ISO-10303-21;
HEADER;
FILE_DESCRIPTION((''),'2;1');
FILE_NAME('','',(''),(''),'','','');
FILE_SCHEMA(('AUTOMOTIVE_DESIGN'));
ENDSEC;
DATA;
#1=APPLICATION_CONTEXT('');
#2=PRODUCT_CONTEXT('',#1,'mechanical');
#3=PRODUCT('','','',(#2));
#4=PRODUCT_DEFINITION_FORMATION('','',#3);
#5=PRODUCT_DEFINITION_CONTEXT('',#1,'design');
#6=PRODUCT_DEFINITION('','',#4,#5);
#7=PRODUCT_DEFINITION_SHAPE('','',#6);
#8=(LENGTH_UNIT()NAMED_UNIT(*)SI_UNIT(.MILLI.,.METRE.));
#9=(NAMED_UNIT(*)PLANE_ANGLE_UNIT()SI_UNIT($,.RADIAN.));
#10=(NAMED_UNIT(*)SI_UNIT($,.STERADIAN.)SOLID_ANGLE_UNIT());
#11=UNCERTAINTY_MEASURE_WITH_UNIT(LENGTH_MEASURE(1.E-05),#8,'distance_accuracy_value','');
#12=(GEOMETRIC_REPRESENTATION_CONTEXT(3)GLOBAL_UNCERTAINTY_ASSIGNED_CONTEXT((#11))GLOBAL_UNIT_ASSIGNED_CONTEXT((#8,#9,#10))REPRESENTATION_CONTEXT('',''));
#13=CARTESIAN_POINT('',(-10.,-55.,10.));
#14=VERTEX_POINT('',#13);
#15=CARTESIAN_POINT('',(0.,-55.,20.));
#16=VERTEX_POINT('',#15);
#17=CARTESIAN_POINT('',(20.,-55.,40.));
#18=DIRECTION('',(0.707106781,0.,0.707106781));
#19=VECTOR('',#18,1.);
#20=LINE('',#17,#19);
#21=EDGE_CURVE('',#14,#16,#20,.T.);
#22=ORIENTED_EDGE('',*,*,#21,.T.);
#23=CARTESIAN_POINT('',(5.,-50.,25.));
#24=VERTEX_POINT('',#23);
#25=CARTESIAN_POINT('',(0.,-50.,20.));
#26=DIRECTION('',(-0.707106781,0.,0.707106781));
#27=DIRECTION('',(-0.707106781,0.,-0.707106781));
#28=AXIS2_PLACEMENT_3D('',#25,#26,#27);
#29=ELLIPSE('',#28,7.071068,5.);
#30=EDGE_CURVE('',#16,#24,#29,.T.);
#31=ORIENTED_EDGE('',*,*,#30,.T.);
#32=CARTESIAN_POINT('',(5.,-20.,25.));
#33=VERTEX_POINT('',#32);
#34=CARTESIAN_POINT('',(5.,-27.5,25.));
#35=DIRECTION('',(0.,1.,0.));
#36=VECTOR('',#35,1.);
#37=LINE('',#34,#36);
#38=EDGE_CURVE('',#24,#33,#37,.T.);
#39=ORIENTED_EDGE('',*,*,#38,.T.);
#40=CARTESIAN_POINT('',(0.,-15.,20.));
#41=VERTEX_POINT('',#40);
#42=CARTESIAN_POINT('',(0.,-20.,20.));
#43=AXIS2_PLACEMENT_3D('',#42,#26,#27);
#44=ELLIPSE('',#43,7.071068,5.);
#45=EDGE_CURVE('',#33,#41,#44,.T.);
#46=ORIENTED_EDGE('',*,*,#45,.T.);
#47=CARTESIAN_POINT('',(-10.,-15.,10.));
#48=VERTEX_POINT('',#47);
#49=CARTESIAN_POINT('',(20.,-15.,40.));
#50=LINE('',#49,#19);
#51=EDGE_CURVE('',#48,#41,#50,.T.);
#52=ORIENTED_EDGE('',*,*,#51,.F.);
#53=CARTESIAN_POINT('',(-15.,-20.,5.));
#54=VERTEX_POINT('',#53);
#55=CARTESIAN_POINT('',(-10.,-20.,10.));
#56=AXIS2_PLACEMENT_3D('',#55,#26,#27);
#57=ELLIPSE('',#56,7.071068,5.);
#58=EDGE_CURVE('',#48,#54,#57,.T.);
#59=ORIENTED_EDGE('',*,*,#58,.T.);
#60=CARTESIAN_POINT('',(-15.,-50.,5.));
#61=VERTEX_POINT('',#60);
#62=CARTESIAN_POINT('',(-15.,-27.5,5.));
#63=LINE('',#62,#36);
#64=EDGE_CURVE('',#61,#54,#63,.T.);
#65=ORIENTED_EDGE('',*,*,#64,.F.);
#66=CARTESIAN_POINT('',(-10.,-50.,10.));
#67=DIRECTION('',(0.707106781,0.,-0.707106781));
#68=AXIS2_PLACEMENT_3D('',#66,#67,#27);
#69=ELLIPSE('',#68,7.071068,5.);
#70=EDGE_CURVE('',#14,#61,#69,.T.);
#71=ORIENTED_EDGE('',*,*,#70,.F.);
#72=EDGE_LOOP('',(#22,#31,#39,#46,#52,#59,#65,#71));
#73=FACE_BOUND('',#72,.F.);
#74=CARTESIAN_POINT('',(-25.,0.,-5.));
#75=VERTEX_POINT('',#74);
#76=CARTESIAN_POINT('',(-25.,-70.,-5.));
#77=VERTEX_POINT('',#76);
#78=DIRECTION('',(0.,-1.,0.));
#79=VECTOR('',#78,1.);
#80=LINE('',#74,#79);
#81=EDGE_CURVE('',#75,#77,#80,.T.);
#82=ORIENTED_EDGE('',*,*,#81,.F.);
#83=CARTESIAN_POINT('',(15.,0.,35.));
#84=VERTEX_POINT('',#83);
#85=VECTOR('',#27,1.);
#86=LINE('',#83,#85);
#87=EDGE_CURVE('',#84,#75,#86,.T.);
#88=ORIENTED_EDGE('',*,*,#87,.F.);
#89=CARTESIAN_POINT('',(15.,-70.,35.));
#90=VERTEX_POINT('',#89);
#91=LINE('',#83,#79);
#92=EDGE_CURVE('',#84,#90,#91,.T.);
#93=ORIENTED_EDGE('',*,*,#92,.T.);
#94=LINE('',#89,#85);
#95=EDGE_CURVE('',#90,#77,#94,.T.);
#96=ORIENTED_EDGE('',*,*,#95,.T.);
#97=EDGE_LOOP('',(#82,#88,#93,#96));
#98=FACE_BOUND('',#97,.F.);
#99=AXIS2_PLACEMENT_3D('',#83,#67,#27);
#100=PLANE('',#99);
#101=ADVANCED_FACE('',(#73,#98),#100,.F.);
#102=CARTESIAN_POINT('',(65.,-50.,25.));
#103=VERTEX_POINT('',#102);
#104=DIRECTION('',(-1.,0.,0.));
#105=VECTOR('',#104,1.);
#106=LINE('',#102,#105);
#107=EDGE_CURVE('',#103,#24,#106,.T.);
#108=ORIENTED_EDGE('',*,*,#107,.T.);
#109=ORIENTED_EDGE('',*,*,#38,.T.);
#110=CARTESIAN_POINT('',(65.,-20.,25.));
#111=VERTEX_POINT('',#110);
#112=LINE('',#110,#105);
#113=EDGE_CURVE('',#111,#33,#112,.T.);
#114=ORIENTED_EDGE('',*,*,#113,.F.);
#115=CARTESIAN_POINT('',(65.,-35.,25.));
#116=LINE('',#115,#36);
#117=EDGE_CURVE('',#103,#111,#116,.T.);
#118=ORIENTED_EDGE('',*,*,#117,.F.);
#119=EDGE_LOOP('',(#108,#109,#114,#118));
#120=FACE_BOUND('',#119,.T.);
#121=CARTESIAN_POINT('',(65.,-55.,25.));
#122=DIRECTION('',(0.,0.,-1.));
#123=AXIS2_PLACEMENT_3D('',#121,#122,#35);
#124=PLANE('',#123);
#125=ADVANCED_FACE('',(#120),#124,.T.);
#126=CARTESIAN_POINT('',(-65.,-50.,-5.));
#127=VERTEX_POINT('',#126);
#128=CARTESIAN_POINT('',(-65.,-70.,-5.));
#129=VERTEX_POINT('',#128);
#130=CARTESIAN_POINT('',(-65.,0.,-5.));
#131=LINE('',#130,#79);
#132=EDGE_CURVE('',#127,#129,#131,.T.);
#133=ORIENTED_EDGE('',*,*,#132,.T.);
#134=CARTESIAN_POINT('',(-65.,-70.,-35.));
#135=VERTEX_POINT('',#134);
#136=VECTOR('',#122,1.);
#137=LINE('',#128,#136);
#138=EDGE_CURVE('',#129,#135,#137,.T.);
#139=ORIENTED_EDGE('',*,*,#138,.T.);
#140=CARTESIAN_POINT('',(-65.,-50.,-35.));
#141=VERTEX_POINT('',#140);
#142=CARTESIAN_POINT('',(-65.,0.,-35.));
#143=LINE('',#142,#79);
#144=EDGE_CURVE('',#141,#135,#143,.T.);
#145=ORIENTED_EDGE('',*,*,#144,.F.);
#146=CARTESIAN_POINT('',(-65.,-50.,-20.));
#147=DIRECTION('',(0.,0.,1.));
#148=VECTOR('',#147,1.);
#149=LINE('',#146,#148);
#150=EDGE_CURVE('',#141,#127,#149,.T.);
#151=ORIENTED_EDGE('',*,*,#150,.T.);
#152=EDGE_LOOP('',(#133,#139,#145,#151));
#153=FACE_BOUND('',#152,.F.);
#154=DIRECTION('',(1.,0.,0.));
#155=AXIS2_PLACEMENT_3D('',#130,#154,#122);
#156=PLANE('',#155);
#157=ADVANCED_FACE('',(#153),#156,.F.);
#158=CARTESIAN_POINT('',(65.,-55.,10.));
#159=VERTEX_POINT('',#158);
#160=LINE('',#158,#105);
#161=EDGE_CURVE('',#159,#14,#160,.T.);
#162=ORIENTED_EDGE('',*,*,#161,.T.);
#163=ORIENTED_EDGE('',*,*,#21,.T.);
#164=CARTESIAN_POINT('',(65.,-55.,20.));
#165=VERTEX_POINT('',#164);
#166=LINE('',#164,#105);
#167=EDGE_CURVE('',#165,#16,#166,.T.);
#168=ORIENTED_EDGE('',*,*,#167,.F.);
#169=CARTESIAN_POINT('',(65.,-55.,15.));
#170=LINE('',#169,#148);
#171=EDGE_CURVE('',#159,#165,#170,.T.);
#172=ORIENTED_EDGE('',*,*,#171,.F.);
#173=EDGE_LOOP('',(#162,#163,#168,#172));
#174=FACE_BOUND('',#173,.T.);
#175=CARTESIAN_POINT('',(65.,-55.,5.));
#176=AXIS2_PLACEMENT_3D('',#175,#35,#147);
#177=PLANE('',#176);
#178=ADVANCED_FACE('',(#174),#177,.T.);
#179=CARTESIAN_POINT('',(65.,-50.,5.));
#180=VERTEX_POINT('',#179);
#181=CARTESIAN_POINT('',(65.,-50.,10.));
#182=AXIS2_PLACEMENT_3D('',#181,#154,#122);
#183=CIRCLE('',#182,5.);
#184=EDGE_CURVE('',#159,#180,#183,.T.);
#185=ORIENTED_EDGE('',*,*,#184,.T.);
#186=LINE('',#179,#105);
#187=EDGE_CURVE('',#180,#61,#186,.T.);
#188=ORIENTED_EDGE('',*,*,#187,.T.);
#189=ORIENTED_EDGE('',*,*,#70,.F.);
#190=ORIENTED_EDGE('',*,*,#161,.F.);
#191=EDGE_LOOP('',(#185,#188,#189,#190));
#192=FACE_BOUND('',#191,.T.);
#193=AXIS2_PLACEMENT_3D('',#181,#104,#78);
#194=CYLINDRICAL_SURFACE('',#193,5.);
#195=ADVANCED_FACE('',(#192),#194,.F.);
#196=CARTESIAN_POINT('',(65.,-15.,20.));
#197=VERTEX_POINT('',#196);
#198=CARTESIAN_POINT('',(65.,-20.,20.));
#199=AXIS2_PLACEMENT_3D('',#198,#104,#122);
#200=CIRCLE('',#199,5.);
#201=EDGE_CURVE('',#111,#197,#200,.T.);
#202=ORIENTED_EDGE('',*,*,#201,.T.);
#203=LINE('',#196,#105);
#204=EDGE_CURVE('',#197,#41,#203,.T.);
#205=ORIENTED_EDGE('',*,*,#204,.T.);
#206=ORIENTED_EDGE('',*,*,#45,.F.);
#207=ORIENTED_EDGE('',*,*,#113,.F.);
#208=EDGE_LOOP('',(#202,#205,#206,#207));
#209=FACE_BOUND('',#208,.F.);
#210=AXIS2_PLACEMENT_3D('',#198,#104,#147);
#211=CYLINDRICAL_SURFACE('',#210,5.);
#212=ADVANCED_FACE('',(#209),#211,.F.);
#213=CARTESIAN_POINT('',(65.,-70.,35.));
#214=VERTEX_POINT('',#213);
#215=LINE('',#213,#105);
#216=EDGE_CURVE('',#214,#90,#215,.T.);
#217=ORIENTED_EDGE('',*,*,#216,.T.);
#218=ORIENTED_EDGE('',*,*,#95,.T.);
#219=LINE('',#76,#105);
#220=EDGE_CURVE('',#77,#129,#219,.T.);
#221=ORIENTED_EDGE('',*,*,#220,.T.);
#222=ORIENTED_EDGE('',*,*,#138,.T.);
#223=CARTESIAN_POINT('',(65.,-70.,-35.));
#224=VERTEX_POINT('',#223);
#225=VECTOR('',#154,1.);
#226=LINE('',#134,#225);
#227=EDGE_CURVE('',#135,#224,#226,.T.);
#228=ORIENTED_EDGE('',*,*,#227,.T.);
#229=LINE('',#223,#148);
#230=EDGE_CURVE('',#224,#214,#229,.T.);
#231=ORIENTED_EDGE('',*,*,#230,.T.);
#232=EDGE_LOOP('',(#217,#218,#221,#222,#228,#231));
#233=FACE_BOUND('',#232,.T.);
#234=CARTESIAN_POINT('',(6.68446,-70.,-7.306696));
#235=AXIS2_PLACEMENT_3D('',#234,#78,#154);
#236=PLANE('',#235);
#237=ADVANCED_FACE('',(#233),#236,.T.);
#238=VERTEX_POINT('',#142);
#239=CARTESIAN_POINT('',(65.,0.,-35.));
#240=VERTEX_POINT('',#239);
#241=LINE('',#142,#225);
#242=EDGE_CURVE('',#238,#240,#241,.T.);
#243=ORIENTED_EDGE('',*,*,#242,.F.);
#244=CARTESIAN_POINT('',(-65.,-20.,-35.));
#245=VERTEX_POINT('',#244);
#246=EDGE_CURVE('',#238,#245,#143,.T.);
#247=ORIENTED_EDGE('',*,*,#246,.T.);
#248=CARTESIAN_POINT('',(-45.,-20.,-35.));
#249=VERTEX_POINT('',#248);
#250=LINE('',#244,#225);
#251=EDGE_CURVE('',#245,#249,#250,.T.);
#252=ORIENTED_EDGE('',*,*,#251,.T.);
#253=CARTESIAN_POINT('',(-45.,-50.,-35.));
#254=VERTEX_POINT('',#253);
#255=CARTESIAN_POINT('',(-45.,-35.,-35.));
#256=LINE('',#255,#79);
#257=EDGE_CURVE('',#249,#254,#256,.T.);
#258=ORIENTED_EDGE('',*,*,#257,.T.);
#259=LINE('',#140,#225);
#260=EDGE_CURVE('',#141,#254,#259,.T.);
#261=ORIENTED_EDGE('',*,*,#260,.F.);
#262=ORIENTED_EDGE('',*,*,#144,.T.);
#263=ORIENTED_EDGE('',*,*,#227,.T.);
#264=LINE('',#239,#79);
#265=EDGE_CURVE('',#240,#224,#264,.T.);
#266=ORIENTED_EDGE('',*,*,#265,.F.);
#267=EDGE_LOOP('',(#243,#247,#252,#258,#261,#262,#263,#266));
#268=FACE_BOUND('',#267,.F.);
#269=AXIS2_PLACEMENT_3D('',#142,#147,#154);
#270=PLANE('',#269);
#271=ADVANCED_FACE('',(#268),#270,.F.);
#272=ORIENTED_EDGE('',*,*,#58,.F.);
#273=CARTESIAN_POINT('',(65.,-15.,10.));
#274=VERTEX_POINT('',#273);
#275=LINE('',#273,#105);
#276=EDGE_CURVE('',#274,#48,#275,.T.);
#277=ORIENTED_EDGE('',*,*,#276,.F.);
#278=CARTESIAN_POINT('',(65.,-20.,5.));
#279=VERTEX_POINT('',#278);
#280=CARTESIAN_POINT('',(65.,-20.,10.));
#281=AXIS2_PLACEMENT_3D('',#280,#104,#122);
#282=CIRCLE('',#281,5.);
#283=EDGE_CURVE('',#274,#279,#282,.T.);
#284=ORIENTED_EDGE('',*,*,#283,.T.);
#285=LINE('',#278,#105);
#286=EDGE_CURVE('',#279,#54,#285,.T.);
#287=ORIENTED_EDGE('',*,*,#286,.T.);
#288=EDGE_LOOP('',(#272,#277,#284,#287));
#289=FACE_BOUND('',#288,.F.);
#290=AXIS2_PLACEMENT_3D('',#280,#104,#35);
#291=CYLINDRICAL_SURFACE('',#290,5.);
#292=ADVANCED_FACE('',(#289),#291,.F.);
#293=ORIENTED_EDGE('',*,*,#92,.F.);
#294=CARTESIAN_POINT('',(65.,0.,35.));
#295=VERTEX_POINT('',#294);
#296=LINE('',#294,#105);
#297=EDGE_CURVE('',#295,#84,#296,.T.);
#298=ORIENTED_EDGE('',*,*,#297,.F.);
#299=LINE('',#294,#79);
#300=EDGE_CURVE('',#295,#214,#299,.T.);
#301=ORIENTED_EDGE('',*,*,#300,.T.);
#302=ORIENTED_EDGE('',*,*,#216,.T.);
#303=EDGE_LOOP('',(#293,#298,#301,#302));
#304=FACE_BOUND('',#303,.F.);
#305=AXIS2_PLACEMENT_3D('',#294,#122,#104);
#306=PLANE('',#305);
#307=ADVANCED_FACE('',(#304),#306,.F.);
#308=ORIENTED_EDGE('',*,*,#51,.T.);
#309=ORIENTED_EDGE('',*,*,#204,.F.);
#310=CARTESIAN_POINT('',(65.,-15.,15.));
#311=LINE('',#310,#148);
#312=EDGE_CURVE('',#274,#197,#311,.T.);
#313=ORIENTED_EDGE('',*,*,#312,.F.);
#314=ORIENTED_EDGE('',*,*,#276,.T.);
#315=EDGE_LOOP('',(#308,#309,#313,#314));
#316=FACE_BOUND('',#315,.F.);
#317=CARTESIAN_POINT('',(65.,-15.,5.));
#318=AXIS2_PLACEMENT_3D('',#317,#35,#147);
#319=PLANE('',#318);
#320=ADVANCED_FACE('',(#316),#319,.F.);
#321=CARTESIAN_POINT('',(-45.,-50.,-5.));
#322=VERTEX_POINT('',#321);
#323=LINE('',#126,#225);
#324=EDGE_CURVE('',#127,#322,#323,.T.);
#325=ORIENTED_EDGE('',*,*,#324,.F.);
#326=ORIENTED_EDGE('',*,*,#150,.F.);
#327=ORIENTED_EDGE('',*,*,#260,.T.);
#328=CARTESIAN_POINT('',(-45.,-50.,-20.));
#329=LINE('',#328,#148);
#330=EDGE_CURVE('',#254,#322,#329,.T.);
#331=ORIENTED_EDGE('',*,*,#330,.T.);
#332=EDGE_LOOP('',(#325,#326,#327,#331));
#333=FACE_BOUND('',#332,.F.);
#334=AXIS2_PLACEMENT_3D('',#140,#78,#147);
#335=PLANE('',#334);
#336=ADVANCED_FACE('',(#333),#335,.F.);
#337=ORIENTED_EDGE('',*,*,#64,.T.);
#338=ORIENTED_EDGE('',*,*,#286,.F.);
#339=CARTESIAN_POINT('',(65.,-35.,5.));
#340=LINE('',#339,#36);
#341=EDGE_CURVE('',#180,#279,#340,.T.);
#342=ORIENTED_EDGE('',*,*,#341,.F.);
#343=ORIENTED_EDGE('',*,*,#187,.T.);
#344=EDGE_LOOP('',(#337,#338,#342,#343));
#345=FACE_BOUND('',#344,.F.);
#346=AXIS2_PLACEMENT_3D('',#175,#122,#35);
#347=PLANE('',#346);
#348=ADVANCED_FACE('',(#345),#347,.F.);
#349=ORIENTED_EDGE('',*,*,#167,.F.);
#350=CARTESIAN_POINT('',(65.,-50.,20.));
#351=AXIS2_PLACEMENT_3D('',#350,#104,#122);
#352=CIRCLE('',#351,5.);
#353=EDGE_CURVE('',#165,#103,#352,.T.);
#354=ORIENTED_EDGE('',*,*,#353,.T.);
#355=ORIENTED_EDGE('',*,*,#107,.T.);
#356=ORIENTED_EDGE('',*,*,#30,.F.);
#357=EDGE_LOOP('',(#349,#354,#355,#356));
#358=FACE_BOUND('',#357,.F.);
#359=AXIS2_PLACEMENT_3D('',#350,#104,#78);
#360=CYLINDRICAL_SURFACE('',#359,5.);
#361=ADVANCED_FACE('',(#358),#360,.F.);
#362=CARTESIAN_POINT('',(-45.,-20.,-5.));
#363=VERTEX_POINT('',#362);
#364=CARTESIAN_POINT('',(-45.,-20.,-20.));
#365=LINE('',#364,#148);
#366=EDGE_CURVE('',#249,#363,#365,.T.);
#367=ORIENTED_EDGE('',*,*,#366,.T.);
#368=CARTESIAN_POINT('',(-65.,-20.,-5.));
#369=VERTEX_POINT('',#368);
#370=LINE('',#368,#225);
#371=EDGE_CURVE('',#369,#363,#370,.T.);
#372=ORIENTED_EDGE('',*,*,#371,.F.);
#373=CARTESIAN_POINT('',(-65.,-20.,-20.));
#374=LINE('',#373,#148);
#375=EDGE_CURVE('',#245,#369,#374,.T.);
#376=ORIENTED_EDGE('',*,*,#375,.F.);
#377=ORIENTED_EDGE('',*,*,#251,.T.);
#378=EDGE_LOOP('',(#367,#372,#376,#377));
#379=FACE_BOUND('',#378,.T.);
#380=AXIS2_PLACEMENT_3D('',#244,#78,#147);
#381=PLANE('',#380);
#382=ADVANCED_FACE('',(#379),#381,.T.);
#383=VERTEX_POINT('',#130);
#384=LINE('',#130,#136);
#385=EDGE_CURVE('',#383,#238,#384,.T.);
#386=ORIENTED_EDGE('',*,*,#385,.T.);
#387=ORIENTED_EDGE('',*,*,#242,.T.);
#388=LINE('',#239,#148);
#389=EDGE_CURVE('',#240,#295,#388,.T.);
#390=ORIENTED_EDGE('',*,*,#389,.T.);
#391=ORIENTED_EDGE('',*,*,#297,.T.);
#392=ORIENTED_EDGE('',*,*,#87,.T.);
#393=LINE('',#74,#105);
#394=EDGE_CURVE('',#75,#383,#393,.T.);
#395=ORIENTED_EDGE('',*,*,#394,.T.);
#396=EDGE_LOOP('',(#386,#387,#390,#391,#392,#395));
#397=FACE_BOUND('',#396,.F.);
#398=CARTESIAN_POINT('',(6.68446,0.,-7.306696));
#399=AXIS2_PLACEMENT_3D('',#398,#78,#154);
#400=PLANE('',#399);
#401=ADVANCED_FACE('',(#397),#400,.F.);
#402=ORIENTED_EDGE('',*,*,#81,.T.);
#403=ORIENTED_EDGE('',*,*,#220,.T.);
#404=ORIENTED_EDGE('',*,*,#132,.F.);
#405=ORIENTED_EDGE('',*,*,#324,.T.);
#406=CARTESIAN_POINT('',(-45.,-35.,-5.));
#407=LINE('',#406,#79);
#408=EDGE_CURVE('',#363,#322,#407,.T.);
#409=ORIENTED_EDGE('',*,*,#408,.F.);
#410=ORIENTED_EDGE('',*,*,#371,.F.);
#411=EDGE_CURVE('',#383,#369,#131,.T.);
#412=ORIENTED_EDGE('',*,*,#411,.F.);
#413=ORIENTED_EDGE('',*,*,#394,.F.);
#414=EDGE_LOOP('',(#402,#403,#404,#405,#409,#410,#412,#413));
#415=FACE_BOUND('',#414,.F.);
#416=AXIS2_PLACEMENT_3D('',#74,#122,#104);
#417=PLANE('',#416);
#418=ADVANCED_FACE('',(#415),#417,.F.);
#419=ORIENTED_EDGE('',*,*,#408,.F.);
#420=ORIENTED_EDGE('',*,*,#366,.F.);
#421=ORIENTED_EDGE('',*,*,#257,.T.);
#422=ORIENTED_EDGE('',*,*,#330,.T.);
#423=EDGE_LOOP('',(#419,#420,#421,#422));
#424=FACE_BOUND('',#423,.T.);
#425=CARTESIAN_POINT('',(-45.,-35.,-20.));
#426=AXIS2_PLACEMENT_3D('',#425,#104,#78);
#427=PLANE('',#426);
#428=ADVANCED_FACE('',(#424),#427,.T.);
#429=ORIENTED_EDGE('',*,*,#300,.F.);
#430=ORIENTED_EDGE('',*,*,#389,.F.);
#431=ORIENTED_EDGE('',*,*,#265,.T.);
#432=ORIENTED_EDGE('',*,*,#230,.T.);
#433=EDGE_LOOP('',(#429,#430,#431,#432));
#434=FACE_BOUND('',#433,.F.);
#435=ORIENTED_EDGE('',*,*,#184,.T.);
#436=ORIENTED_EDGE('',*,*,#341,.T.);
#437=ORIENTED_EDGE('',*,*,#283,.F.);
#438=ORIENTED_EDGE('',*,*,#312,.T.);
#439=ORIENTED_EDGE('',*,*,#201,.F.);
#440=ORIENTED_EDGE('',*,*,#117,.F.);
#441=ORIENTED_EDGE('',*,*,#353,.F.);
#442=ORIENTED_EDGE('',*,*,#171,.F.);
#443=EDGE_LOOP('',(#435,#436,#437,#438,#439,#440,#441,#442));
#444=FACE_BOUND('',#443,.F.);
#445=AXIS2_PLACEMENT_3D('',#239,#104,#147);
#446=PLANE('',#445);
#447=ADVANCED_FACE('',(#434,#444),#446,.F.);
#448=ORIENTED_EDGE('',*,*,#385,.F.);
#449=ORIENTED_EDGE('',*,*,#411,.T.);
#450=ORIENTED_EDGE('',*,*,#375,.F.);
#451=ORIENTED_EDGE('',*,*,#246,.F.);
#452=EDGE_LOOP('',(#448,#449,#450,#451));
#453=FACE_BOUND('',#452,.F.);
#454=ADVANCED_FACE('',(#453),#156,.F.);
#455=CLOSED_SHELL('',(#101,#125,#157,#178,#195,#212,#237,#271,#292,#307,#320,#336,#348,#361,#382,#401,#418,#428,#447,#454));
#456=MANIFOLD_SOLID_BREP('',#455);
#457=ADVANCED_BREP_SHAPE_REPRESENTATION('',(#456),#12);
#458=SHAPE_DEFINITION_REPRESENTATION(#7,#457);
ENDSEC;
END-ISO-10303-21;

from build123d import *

# Parameters (mm, degrees)
F1_DEPTH = 70
F2_W     = 40
F2_H     = 20
F3_DEPTH = 130.001
F4_R     = 5
F5_W     = 30
F5_H     = 30
F6_DEPTH = 20


with BuildPart() as f1:
    # F0 (on Front) → F1 (new body)
    with BuildSketch(Plane.XZ):
        Polygon((65, 35), (15, 35), (-25, -5), (-65, -5), (-65, -35), (65, -35), align=None)
    extrude(amount=F1_DEPTH)

    # F2 (on face) → F3 (cut, through all)
    with BuildSketch(Plane.YZ.offset(65)):
        with Locations((-35, 15)):
            Rectangle(F2_W, F2_H)
    extrude(amount=-F3_DEPTH, mode=Mode.SUBTRACT)

    # F4
    f4_edges = [f1.edges().sort_by_distance(p)[0] for p in [
        (25, -55, 5),
        (25, -15, 5),
        (35, -15, 25),
        (35, -55, 25),
    ]]
    fillet(f4_edges, radius=F4_R)

    # F5 (on face) → F6 (cut)
    with BuildSketch(Plane(origin=(-65, 0, 0), x_dir=(0, -1, 0), z_dir=(-1, 0, 0))):
        with Locations((35, -20)):
            Rectangle(F5_W, F5_H)
    extrude(amount=-F6_DEPTH, mode=Mode.SUBTRACT)


solid = f1.part
